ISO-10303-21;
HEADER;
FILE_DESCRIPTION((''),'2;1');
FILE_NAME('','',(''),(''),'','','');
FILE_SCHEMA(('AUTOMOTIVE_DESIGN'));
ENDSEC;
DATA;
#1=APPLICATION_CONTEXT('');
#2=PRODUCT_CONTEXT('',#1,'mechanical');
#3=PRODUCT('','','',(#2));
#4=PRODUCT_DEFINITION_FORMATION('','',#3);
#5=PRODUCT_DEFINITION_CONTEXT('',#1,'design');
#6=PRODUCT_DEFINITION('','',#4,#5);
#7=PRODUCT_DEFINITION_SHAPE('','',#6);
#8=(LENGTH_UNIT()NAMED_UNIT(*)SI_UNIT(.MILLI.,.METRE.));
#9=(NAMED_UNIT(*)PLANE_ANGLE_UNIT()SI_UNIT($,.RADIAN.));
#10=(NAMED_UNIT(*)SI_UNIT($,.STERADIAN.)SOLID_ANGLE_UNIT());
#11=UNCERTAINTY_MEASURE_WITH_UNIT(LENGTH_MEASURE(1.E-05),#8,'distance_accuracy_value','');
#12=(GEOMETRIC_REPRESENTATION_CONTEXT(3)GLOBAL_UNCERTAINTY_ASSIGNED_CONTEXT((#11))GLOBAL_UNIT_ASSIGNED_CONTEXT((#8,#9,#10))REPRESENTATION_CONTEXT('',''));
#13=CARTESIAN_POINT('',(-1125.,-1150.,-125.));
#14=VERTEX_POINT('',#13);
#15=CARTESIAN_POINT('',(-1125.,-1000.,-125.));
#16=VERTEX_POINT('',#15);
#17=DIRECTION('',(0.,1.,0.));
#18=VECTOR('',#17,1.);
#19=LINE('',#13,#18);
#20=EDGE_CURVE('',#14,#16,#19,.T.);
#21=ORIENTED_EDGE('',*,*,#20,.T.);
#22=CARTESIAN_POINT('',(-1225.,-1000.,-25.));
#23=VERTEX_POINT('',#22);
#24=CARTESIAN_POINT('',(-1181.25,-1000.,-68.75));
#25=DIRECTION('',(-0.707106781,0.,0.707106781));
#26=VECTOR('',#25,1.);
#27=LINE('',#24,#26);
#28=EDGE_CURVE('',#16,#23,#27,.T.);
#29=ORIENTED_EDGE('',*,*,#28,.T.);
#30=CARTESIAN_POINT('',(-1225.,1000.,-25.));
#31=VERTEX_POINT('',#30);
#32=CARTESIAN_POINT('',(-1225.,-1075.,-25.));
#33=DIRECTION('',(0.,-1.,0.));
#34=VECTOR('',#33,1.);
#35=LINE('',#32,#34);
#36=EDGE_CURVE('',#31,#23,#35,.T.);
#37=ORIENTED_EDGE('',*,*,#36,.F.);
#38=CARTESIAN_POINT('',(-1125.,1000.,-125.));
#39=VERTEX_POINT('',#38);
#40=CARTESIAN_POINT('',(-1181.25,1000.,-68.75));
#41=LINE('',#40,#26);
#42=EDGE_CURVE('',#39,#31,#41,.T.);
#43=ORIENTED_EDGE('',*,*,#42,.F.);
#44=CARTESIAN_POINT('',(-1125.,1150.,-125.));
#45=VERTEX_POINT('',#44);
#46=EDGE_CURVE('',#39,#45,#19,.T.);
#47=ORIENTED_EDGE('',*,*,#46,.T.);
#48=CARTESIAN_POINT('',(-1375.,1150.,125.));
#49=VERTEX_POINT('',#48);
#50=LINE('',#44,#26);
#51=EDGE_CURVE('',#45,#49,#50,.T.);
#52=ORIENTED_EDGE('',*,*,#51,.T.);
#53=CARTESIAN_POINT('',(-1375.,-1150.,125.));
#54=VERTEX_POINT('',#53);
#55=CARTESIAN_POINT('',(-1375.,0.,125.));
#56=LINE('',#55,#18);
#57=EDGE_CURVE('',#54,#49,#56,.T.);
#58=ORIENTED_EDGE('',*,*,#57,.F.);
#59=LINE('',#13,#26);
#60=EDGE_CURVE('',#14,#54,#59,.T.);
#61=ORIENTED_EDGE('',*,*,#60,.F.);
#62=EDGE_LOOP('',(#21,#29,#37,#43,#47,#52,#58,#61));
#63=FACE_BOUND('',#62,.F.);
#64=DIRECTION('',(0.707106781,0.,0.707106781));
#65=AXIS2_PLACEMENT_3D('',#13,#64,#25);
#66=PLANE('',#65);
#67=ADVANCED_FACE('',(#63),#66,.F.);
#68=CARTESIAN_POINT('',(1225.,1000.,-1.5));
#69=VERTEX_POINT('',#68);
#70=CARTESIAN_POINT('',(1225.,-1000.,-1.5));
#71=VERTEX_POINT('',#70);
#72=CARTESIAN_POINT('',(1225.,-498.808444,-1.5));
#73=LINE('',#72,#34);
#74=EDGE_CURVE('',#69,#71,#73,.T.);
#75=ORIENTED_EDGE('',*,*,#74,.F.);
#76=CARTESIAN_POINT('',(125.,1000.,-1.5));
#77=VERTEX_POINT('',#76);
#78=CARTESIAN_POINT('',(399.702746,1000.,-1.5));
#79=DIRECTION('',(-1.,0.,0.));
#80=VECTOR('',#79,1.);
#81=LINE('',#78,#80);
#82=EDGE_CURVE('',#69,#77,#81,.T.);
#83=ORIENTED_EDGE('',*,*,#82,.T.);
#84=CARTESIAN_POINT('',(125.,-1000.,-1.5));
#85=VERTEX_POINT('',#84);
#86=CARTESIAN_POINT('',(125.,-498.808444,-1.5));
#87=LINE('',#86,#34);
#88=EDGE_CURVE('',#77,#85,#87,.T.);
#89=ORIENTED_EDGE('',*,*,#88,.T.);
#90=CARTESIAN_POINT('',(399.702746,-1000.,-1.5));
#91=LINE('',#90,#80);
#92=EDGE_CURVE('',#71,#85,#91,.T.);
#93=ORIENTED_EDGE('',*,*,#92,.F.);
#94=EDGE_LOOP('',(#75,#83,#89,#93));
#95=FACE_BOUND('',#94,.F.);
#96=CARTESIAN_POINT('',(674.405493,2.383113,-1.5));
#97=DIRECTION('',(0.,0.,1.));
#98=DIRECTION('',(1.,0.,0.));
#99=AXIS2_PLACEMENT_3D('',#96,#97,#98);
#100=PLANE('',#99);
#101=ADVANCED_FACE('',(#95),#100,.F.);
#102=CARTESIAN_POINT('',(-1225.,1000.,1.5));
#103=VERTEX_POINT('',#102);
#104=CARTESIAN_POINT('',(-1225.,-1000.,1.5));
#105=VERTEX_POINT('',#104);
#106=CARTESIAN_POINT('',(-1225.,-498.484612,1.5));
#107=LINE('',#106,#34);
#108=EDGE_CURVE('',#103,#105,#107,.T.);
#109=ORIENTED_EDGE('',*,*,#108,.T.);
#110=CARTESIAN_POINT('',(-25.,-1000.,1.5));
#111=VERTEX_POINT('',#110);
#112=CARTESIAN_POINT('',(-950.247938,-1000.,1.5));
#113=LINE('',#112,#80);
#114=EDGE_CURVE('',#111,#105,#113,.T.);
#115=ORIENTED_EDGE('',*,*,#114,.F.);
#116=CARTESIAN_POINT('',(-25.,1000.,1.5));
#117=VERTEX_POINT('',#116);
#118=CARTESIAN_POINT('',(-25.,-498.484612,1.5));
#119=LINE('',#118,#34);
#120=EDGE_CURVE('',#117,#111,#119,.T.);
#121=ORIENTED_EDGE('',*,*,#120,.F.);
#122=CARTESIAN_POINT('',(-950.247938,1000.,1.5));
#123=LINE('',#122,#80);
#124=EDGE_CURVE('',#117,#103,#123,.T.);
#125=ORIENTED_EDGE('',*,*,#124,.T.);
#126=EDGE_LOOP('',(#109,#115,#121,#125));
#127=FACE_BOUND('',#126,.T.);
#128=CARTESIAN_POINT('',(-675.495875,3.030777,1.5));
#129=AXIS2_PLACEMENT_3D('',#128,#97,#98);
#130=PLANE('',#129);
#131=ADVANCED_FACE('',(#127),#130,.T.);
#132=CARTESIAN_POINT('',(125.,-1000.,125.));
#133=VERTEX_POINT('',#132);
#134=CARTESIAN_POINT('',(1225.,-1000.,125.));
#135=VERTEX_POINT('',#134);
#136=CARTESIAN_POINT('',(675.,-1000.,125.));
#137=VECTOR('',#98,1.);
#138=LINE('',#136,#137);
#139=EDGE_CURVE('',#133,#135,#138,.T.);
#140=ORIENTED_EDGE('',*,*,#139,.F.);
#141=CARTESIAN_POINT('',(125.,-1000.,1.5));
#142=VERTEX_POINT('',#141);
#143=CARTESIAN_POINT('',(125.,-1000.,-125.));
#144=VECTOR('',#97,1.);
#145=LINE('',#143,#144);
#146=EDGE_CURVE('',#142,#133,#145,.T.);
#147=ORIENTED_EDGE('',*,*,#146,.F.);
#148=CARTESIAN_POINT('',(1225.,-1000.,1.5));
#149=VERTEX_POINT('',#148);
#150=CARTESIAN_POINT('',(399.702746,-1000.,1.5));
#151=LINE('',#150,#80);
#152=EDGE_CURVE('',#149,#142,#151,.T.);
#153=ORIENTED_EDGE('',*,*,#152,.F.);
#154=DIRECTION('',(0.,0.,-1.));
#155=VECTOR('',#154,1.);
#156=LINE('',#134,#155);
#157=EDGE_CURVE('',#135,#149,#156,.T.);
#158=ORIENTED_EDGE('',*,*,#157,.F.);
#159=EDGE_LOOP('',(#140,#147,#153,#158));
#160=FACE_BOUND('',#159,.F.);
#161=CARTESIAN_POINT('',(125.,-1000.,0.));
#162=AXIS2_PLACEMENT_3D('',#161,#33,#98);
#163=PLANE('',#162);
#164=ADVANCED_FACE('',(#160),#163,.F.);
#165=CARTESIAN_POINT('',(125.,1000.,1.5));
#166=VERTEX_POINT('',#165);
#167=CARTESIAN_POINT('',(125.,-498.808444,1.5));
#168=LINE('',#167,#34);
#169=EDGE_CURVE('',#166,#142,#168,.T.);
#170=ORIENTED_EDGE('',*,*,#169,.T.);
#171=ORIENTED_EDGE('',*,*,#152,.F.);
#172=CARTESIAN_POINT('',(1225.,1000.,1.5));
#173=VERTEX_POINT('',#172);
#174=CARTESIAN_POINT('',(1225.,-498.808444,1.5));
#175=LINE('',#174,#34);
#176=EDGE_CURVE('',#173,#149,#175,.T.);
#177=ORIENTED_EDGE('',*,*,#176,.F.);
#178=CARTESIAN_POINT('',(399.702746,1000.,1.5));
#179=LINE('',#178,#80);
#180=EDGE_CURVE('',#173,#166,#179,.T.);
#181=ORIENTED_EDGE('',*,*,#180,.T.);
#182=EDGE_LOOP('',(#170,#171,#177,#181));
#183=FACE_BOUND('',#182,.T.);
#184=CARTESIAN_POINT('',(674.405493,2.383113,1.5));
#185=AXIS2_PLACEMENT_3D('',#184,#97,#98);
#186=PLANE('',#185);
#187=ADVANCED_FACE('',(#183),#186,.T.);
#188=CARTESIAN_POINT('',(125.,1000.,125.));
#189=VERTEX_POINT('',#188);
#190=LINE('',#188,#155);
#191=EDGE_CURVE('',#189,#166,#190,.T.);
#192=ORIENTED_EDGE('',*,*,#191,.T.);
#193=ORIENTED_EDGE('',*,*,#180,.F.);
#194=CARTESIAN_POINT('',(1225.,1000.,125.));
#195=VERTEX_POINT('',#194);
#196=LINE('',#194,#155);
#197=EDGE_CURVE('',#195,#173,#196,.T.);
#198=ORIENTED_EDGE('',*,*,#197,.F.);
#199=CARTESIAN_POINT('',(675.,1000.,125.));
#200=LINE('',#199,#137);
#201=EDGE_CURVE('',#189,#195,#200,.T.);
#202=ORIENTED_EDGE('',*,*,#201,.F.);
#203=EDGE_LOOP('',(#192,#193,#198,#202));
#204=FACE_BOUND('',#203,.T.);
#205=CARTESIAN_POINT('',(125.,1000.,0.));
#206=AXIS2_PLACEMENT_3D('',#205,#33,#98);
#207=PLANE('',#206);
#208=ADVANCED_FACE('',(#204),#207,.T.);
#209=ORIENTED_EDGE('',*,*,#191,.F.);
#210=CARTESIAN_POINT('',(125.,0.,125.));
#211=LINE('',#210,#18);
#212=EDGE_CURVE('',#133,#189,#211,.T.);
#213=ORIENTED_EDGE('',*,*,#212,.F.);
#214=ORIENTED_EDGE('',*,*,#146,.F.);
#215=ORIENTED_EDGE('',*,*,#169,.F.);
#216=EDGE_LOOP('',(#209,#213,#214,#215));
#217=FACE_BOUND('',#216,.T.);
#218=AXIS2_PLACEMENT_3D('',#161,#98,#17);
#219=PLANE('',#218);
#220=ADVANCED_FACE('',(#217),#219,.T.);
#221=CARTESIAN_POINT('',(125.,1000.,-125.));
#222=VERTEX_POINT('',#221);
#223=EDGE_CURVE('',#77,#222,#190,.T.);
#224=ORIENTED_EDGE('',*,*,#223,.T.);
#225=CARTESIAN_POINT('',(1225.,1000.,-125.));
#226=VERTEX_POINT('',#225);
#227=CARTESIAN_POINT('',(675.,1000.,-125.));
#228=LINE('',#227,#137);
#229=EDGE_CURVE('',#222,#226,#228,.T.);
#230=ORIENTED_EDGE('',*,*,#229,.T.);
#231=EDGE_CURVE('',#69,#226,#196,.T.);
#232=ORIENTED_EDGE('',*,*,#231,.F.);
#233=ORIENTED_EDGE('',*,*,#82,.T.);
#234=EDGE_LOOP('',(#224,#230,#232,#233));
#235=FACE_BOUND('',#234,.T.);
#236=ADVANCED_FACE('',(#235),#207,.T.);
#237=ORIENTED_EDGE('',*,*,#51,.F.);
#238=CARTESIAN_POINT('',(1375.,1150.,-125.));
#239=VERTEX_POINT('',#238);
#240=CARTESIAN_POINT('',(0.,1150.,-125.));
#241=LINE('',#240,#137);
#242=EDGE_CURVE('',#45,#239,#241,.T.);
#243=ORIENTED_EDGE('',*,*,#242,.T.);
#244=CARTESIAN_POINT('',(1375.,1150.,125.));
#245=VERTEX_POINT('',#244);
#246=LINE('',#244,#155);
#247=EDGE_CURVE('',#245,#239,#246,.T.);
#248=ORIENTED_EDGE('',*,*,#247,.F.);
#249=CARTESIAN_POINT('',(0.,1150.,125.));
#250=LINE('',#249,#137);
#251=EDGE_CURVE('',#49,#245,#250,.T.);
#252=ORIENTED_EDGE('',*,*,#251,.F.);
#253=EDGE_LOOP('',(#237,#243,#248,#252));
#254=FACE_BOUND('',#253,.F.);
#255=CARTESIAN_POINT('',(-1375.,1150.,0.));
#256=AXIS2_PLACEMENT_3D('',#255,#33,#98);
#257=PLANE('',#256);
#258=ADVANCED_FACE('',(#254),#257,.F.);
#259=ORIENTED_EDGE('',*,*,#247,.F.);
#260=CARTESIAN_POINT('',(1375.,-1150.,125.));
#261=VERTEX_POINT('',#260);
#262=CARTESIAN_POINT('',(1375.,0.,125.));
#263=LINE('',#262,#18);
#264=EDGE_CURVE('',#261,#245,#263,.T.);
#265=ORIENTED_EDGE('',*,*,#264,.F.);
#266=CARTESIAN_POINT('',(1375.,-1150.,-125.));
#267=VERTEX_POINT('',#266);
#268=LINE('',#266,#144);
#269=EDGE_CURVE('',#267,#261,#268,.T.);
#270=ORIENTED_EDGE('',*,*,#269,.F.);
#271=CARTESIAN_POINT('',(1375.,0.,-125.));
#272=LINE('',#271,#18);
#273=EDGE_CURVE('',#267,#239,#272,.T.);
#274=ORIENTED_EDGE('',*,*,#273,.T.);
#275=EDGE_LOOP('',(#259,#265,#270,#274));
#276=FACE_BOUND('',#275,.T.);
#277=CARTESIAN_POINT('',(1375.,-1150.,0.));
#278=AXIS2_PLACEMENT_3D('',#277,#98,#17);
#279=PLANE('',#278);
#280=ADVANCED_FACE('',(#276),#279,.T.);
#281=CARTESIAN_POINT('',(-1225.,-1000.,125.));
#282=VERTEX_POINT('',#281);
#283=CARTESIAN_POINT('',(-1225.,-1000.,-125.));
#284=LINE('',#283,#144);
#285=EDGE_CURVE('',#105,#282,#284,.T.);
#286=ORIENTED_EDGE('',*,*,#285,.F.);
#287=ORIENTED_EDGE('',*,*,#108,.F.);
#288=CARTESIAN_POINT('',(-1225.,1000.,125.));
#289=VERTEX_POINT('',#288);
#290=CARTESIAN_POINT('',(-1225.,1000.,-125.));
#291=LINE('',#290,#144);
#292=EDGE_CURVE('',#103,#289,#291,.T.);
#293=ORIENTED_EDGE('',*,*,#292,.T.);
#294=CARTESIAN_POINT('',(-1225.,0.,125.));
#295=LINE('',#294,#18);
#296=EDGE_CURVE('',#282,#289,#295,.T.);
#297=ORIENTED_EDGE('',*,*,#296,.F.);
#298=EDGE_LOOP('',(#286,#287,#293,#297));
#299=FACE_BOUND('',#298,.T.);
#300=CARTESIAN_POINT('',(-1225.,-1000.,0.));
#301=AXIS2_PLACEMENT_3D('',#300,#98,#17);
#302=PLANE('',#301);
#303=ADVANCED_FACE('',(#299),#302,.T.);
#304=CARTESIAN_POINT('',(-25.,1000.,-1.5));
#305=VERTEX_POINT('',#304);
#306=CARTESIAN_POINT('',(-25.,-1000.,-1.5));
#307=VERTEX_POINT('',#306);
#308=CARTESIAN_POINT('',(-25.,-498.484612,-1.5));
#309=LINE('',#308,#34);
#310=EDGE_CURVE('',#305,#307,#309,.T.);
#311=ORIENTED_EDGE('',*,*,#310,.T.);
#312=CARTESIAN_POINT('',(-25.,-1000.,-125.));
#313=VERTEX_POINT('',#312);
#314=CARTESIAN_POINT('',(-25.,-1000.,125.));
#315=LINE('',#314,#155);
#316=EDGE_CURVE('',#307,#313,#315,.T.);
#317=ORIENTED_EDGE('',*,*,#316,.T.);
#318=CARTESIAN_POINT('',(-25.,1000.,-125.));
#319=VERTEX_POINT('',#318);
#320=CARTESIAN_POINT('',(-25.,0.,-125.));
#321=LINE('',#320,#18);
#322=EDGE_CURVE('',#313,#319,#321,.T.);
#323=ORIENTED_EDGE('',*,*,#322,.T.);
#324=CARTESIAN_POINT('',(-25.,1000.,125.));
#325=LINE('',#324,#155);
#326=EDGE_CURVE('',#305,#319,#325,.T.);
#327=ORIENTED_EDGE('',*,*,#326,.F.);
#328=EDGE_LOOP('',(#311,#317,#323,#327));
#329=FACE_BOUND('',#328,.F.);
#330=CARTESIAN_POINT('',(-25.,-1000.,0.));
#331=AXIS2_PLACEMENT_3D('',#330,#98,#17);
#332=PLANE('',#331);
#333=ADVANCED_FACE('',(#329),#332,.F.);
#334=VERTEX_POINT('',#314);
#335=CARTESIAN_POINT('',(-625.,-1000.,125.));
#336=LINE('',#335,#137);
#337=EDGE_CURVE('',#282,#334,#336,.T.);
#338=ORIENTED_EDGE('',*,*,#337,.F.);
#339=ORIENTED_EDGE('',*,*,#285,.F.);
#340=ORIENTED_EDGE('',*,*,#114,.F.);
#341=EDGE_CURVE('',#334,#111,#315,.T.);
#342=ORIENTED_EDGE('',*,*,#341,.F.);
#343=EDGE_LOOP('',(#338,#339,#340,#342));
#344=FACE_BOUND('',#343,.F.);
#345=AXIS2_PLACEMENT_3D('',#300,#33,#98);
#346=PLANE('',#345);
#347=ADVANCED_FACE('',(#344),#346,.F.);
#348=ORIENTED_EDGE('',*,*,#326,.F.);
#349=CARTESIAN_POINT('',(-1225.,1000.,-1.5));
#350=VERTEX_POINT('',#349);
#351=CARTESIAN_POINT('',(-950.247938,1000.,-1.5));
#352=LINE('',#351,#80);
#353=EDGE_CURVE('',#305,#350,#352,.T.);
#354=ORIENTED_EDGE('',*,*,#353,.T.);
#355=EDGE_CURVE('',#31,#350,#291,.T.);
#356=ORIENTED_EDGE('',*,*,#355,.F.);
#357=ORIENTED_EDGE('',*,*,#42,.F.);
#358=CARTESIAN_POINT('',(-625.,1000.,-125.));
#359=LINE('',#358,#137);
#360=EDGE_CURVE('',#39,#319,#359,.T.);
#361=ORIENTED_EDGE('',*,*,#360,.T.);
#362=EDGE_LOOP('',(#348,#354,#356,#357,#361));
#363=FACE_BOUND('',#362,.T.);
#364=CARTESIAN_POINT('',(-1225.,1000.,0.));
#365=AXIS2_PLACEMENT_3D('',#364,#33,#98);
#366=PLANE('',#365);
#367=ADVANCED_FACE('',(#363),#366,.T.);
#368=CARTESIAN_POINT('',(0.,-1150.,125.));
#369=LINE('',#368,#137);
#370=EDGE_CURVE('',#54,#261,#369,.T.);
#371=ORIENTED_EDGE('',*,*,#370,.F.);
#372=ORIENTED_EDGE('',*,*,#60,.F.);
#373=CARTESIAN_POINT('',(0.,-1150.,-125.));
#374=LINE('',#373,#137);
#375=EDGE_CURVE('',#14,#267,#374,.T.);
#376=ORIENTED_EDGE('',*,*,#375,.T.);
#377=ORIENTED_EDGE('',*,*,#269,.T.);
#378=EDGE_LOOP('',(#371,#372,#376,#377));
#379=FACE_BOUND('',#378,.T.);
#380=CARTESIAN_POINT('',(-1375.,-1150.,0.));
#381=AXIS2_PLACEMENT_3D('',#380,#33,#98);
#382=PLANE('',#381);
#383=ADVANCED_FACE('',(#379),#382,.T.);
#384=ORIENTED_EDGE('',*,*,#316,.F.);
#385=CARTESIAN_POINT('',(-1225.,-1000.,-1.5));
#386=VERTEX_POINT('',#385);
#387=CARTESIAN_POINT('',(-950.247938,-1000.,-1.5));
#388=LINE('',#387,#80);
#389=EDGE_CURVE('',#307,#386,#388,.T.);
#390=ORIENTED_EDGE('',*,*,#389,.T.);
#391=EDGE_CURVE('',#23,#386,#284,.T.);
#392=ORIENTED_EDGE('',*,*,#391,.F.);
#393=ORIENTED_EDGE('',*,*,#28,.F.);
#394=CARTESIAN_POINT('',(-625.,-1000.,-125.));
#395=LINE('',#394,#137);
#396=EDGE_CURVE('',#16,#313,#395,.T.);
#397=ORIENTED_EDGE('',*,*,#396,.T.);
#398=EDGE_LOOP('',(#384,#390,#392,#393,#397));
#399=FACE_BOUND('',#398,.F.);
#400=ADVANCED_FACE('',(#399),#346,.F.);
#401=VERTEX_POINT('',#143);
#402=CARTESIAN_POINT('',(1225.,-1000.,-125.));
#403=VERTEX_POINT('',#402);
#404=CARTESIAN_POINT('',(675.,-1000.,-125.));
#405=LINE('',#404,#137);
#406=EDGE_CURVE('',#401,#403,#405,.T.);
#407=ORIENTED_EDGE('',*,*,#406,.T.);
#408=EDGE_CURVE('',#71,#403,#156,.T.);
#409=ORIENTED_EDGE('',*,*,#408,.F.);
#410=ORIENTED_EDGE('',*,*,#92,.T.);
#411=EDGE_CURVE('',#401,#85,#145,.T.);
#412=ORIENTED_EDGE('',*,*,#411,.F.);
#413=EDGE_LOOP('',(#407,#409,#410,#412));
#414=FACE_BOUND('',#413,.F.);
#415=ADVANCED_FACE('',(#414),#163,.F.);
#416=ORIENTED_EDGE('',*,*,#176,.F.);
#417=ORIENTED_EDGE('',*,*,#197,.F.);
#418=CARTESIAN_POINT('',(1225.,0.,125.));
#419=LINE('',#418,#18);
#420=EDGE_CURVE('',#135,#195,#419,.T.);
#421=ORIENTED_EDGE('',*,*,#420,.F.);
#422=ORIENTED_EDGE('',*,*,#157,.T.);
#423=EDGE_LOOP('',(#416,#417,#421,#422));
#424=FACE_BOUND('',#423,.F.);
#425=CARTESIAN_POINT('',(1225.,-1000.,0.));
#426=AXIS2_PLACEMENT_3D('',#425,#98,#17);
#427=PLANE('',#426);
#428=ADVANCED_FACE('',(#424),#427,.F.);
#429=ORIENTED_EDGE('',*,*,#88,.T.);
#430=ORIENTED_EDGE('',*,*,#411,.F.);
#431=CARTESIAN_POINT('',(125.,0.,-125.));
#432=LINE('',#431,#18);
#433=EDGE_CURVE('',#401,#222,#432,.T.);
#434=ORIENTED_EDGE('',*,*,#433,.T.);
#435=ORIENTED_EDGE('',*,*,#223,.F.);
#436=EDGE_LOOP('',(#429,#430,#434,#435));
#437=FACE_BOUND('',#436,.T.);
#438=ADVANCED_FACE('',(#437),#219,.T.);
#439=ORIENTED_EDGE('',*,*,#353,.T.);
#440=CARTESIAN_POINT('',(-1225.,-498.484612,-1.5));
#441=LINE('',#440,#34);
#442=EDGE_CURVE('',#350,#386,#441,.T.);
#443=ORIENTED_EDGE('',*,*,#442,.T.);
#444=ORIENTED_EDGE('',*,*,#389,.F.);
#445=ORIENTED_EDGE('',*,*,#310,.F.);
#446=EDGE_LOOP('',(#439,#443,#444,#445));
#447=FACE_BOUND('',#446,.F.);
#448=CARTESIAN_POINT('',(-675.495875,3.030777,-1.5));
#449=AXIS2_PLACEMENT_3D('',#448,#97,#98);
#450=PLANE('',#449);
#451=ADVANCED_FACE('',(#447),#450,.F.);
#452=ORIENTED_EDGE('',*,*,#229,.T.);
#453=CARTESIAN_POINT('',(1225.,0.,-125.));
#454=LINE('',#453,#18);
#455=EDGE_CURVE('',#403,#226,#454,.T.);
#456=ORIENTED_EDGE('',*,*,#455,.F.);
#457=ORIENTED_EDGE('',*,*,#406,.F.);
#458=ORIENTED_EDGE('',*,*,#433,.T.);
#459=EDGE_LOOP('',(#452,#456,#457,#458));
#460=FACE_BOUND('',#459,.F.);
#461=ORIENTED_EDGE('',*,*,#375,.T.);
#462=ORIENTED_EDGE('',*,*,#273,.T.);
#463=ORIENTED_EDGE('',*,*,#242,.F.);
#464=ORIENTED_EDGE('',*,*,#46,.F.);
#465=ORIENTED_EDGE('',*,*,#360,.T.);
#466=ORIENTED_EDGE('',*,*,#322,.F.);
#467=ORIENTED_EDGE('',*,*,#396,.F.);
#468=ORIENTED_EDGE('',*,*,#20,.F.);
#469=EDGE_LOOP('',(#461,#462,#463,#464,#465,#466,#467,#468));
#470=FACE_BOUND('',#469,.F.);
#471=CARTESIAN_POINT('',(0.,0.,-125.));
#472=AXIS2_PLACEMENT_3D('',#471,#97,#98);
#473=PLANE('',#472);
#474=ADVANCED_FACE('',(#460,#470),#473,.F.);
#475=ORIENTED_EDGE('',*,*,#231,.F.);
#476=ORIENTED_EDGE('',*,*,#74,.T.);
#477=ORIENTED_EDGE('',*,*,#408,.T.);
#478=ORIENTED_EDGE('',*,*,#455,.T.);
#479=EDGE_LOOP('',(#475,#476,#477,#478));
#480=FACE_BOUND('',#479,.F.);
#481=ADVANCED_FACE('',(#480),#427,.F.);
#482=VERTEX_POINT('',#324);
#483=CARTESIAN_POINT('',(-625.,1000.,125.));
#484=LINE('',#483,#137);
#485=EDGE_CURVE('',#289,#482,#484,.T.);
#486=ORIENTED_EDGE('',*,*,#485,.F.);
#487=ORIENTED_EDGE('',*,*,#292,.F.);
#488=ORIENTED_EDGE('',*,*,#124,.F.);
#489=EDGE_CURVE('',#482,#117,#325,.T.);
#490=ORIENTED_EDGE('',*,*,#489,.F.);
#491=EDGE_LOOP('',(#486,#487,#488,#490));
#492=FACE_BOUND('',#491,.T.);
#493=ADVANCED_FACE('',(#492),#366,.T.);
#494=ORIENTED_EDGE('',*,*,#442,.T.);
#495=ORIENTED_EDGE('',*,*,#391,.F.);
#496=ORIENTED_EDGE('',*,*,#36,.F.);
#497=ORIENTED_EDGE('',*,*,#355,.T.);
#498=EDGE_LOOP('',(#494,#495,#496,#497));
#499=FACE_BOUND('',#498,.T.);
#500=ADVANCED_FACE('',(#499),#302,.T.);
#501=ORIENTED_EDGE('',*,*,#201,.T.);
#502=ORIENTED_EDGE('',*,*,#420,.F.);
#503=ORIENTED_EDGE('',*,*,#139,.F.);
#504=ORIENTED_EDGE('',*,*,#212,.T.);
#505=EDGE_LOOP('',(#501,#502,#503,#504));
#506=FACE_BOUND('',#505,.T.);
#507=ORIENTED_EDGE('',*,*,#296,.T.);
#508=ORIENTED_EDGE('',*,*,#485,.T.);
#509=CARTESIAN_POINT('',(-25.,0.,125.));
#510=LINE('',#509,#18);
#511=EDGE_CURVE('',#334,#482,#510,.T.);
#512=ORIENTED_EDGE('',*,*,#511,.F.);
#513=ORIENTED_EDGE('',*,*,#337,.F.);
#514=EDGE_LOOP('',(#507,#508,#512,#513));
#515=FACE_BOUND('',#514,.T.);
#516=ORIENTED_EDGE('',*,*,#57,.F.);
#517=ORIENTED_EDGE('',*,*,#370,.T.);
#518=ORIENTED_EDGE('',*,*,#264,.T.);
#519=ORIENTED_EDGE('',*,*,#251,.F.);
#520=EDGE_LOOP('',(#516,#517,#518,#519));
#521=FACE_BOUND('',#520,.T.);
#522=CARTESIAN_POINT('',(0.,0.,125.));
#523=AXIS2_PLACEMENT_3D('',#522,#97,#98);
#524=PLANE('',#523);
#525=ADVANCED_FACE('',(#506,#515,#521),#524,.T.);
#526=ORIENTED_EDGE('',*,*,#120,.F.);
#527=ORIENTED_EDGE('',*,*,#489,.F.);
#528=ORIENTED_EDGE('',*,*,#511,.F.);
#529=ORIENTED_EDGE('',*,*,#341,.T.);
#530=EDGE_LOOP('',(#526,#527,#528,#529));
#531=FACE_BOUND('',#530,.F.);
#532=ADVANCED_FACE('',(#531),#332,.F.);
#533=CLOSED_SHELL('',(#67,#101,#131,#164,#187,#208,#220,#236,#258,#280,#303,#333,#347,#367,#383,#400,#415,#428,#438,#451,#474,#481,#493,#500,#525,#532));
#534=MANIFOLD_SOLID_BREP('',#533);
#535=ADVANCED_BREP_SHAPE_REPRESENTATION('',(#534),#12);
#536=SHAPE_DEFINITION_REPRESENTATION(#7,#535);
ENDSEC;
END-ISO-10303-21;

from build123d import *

# Parameters (mm, degrees)
F0_W     = 2750
F0_H     = 2300
F0_W_2   = 1200
F0_H_2   = 2000
F0_W_3   = 1100
F1_DEPTH = 125
F2_W     = 1301.708862
F2_H     = 2201.619386
F2_W_2   = 1301.310276
F2_H_2   = 2202.914714
F3_DEPTH = 1.5
F5_DEPTH = 2300


with BuildPart() as f1:
    # F0 (on Top) → F1 (new body, symmetric)
    with BuildSketch(Plane.XY):
        Rectangle(F0_W, F0_H)
        with Locations((-625, 0)):
            Rectangle(F0_W_2, F0_H_2, mode=Mode.SUBTRACT)
        with Locations((675, 0)):
            Rectangle(F0_W_3, F0_H_2, mode=Mode.SUBTRACT)
    extrude(amount=F1_DEPTH, both=True)

    # F2 (on Top) → F3 (join, symmetric)
    with BuildSketch(Plane.XY):
        with Locations((674.405493, 2.383113)):
            Rectangle(F2_W, F2_H)
        with Locations((-675.495875, 3.030777)):
            Rectangle(F2_W_2, F2_H_2)
    extrude(amount=F3_DEPTH, both=True)

    # F4 (on face) → F5 (cut, through all)
    with BuildSketch(Plane.XZ.offset(1150)):
        Polygon((-1375, 125), (-1375, -125), (-1125, -125), align=None)
    extrude(amount=-F5_DEPTH, mode=Mode.SUBTRACT)


solid = f1.part
